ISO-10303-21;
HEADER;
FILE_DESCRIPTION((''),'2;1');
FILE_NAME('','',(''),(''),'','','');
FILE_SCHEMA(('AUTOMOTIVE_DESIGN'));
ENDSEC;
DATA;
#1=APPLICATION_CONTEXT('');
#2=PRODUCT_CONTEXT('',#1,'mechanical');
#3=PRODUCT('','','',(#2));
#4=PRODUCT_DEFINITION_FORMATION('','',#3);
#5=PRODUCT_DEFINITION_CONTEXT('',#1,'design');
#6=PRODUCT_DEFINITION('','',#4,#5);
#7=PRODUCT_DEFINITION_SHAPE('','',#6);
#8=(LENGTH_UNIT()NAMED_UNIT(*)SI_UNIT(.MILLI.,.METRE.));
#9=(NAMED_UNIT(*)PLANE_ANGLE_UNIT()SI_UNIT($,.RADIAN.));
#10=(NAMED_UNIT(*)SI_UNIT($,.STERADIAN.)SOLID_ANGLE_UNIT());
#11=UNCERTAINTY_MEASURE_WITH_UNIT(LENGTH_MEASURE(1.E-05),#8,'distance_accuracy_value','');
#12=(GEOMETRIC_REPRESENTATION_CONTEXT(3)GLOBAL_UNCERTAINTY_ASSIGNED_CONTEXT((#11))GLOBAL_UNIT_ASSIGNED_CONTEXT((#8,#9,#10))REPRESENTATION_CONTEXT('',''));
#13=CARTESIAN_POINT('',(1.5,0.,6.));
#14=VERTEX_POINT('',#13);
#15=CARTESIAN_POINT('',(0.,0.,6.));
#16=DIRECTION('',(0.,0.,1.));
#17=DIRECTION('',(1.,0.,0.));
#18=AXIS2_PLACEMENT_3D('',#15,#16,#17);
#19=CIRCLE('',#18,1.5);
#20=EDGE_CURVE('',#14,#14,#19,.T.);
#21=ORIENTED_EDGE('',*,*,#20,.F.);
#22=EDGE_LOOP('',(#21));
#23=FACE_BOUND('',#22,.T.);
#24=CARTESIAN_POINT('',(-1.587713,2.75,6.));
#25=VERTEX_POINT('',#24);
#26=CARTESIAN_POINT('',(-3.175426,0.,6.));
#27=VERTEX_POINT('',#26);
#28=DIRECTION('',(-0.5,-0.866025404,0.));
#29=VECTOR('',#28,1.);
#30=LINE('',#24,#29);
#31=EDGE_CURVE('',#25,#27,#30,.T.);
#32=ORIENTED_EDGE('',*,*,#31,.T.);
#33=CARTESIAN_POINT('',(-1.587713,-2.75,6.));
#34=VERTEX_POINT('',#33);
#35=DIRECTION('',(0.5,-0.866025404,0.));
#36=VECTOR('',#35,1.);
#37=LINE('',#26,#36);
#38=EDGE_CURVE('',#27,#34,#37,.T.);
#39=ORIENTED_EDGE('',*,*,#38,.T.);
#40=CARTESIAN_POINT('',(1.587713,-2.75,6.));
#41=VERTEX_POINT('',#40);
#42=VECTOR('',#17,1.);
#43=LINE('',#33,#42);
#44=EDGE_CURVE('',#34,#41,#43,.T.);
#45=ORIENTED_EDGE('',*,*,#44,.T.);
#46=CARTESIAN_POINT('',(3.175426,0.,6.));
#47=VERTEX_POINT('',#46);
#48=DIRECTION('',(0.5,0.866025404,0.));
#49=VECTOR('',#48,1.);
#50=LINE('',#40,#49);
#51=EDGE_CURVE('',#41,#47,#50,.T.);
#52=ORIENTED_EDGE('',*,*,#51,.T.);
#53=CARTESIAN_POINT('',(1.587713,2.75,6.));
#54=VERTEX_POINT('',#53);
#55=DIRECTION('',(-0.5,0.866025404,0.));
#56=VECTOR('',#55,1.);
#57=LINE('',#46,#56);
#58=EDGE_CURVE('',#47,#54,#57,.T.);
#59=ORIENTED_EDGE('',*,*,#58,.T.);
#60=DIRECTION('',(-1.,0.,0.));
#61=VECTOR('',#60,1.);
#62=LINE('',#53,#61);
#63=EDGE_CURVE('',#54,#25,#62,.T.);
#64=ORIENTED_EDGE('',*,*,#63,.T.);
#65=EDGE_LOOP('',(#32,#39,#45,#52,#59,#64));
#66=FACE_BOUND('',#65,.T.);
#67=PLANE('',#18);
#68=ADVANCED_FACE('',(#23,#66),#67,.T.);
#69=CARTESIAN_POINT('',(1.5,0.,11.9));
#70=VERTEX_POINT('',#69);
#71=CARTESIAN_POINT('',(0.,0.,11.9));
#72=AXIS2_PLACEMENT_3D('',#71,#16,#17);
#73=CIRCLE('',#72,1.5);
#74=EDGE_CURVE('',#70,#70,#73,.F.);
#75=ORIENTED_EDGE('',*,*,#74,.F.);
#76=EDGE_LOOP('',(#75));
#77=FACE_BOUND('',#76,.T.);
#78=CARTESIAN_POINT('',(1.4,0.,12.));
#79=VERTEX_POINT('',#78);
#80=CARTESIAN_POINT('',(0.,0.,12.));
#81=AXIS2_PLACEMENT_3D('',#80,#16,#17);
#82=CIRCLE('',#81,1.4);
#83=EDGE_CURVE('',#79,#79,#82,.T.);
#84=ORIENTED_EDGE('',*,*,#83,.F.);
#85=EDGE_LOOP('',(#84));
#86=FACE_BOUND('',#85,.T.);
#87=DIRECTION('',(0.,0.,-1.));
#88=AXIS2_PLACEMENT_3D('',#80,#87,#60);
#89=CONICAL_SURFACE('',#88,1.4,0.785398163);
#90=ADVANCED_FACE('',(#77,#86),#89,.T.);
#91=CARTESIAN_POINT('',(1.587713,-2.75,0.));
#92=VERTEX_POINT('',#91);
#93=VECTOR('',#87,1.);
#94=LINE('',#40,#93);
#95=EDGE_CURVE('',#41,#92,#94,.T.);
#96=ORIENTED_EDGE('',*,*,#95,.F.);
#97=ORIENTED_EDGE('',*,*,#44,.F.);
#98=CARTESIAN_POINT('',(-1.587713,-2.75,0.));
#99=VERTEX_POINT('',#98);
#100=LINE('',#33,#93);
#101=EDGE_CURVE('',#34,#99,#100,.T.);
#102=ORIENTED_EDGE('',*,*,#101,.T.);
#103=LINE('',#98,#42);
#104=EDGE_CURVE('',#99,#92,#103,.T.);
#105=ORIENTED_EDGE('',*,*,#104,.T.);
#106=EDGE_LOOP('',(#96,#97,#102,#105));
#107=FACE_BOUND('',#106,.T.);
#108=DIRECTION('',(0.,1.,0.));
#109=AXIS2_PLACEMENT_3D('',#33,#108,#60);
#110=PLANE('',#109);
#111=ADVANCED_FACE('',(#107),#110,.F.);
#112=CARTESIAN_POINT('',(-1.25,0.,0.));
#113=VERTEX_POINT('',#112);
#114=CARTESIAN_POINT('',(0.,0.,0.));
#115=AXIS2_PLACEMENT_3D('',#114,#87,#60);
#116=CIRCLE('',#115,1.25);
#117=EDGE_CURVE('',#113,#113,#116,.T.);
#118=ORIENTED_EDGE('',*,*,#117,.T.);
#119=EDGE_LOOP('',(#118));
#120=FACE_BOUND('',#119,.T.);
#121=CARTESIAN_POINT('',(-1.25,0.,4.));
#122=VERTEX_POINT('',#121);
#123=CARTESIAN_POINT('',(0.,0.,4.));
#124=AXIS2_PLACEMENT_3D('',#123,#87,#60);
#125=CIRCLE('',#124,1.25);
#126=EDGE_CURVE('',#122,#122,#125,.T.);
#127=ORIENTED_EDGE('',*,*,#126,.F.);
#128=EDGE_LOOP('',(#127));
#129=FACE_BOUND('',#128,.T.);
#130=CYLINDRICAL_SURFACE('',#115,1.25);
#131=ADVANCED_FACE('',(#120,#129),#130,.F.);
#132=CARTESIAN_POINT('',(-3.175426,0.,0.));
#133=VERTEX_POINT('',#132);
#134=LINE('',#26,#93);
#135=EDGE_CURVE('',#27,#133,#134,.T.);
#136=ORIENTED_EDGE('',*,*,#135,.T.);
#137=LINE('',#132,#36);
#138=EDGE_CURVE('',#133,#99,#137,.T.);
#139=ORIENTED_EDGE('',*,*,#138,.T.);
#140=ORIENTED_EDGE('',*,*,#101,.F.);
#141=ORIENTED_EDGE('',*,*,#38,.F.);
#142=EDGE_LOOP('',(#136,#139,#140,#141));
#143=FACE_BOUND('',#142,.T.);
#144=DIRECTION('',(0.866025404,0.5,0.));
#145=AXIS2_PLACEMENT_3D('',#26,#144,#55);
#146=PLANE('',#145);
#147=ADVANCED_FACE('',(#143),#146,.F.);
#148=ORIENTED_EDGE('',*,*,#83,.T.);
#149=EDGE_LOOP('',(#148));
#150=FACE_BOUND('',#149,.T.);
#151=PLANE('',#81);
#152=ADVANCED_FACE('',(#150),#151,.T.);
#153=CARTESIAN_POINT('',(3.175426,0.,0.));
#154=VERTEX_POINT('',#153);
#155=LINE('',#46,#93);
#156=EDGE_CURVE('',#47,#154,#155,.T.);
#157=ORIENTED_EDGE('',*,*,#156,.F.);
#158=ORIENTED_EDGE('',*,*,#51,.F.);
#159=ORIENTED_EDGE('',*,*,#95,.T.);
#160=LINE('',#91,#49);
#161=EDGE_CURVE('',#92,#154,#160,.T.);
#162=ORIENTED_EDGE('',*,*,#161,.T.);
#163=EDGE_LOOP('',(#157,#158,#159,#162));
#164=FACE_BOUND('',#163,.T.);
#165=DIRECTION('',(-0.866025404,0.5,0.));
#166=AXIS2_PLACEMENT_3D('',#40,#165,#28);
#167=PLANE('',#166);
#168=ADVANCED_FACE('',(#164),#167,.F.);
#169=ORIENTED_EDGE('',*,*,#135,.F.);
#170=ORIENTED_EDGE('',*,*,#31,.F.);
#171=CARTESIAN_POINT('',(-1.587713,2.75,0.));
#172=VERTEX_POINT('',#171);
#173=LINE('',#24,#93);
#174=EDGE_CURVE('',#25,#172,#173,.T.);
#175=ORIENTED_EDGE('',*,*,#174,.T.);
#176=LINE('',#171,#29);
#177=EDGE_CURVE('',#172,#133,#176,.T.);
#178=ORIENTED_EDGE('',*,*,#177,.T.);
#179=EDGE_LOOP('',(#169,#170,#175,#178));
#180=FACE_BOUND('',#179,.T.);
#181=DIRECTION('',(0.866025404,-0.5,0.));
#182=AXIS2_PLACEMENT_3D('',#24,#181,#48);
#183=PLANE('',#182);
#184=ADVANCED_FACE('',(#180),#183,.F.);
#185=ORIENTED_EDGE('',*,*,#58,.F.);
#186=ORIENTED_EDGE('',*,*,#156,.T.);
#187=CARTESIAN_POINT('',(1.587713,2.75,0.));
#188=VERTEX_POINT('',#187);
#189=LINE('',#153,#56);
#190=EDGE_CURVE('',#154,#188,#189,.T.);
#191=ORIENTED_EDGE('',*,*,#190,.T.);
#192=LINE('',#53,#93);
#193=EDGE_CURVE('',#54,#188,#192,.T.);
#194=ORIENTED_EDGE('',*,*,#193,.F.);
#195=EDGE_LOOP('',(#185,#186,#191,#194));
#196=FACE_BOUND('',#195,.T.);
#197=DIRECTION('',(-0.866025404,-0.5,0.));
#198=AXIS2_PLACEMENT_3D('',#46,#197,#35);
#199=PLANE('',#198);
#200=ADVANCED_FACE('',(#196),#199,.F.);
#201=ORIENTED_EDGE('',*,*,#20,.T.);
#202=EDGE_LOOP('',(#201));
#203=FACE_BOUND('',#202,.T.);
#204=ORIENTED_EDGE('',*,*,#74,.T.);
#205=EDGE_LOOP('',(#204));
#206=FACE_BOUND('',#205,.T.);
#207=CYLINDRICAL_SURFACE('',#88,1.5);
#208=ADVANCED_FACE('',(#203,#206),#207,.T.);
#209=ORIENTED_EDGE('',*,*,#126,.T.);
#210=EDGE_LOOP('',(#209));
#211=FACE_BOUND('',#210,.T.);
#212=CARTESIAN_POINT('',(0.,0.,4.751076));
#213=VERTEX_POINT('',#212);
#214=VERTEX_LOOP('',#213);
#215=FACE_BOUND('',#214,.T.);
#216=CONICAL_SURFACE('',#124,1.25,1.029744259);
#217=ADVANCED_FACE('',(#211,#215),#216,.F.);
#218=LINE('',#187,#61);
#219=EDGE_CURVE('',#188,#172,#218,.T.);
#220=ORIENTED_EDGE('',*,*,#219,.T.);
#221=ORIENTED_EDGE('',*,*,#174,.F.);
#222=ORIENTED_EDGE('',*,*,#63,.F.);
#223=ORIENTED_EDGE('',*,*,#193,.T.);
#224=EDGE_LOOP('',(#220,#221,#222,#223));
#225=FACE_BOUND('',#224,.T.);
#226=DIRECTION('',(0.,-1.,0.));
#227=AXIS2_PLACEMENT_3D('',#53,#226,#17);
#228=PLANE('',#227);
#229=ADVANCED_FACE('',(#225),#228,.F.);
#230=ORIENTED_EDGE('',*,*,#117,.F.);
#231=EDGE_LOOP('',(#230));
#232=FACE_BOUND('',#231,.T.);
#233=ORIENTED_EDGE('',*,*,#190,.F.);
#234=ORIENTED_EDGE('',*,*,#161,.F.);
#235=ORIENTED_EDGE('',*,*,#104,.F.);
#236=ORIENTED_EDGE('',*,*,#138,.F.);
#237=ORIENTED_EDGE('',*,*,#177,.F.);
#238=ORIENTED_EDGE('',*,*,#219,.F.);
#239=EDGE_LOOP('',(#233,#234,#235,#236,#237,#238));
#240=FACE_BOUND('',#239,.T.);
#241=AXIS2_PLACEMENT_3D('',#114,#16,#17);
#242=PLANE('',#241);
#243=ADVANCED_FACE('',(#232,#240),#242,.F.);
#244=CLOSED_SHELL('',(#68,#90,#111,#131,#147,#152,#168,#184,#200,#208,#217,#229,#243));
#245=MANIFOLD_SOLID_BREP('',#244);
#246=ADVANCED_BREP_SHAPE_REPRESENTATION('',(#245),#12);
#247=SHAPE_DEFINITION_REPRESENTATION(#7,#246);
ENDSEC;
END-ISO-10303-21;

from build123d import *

# Parameters (mm, degrees)
EXTRUDE_1_DEPTH        = 6
SKETCH_2_R             = 1.5
EXTRUDE_2_DEPTH        = 6
HOLE_WIZARD_M3_1_D     = 2.5
HOLE_WIZARD_M3_1_DEPTH = 4
HOLE_WIZARD_M3_1_TIP   = 0.751075774
CHAMFER_1_SIZE         = 0.1


with BuildPart() as part:
    # 草图1 → 凸台-拉伸1 (new body)
    with BuildSketch(Plane.XY):
        Polygon((1.58771324, 2.75), (-1.58771324, 2.75), (-3.175426481, 0), (-1.58771324, -2.75), (1.58771324, -2.75), (3.175426481, 0), align=None)
    extrude(amount=EXTRUDE_1_DEPTH)

    # 草图2 → 凸台-拉伸2 (add)
    with BuildSketch(Plane.XY.offset(6)):
        Circle(SKETCH_2_R)
    extrude(amount=EXTRUDE_2_DEPTH)

    # M3 螺纹孔1
    with Locations(Plane(origin=(0, 0, 0), x_dir=(-1, 0, 0), z_dir=(0, 0, -1))):
        with Locations((0, 0)):
            Hole(HOLE_WIZARD_M3_1_D / 2, depth=HOLE_WIZARD_M3_1_DEPTH)
            with Locations((0, 0, -(HOLE_WIZARD_M3_1_DEPTH + HOLE_WIZARD_M3_1_TIP / 2))):  # 118° drill point
                Cone(0, HOLE_WIZARD_M3_1_D / 2, HOLE_WIZARD_M3_1_TIP, mode=Mode.SUBTRACT)

    # 倒角1
    chamfer_1_edges = [part.edges().sort_by_distance(p)[0] for p in [
        (-1.5, 0, 12),
    ]]
    chamfer(chamfer_1_edges, length=CHAMFER_1_SIZE)


solid = part.part
